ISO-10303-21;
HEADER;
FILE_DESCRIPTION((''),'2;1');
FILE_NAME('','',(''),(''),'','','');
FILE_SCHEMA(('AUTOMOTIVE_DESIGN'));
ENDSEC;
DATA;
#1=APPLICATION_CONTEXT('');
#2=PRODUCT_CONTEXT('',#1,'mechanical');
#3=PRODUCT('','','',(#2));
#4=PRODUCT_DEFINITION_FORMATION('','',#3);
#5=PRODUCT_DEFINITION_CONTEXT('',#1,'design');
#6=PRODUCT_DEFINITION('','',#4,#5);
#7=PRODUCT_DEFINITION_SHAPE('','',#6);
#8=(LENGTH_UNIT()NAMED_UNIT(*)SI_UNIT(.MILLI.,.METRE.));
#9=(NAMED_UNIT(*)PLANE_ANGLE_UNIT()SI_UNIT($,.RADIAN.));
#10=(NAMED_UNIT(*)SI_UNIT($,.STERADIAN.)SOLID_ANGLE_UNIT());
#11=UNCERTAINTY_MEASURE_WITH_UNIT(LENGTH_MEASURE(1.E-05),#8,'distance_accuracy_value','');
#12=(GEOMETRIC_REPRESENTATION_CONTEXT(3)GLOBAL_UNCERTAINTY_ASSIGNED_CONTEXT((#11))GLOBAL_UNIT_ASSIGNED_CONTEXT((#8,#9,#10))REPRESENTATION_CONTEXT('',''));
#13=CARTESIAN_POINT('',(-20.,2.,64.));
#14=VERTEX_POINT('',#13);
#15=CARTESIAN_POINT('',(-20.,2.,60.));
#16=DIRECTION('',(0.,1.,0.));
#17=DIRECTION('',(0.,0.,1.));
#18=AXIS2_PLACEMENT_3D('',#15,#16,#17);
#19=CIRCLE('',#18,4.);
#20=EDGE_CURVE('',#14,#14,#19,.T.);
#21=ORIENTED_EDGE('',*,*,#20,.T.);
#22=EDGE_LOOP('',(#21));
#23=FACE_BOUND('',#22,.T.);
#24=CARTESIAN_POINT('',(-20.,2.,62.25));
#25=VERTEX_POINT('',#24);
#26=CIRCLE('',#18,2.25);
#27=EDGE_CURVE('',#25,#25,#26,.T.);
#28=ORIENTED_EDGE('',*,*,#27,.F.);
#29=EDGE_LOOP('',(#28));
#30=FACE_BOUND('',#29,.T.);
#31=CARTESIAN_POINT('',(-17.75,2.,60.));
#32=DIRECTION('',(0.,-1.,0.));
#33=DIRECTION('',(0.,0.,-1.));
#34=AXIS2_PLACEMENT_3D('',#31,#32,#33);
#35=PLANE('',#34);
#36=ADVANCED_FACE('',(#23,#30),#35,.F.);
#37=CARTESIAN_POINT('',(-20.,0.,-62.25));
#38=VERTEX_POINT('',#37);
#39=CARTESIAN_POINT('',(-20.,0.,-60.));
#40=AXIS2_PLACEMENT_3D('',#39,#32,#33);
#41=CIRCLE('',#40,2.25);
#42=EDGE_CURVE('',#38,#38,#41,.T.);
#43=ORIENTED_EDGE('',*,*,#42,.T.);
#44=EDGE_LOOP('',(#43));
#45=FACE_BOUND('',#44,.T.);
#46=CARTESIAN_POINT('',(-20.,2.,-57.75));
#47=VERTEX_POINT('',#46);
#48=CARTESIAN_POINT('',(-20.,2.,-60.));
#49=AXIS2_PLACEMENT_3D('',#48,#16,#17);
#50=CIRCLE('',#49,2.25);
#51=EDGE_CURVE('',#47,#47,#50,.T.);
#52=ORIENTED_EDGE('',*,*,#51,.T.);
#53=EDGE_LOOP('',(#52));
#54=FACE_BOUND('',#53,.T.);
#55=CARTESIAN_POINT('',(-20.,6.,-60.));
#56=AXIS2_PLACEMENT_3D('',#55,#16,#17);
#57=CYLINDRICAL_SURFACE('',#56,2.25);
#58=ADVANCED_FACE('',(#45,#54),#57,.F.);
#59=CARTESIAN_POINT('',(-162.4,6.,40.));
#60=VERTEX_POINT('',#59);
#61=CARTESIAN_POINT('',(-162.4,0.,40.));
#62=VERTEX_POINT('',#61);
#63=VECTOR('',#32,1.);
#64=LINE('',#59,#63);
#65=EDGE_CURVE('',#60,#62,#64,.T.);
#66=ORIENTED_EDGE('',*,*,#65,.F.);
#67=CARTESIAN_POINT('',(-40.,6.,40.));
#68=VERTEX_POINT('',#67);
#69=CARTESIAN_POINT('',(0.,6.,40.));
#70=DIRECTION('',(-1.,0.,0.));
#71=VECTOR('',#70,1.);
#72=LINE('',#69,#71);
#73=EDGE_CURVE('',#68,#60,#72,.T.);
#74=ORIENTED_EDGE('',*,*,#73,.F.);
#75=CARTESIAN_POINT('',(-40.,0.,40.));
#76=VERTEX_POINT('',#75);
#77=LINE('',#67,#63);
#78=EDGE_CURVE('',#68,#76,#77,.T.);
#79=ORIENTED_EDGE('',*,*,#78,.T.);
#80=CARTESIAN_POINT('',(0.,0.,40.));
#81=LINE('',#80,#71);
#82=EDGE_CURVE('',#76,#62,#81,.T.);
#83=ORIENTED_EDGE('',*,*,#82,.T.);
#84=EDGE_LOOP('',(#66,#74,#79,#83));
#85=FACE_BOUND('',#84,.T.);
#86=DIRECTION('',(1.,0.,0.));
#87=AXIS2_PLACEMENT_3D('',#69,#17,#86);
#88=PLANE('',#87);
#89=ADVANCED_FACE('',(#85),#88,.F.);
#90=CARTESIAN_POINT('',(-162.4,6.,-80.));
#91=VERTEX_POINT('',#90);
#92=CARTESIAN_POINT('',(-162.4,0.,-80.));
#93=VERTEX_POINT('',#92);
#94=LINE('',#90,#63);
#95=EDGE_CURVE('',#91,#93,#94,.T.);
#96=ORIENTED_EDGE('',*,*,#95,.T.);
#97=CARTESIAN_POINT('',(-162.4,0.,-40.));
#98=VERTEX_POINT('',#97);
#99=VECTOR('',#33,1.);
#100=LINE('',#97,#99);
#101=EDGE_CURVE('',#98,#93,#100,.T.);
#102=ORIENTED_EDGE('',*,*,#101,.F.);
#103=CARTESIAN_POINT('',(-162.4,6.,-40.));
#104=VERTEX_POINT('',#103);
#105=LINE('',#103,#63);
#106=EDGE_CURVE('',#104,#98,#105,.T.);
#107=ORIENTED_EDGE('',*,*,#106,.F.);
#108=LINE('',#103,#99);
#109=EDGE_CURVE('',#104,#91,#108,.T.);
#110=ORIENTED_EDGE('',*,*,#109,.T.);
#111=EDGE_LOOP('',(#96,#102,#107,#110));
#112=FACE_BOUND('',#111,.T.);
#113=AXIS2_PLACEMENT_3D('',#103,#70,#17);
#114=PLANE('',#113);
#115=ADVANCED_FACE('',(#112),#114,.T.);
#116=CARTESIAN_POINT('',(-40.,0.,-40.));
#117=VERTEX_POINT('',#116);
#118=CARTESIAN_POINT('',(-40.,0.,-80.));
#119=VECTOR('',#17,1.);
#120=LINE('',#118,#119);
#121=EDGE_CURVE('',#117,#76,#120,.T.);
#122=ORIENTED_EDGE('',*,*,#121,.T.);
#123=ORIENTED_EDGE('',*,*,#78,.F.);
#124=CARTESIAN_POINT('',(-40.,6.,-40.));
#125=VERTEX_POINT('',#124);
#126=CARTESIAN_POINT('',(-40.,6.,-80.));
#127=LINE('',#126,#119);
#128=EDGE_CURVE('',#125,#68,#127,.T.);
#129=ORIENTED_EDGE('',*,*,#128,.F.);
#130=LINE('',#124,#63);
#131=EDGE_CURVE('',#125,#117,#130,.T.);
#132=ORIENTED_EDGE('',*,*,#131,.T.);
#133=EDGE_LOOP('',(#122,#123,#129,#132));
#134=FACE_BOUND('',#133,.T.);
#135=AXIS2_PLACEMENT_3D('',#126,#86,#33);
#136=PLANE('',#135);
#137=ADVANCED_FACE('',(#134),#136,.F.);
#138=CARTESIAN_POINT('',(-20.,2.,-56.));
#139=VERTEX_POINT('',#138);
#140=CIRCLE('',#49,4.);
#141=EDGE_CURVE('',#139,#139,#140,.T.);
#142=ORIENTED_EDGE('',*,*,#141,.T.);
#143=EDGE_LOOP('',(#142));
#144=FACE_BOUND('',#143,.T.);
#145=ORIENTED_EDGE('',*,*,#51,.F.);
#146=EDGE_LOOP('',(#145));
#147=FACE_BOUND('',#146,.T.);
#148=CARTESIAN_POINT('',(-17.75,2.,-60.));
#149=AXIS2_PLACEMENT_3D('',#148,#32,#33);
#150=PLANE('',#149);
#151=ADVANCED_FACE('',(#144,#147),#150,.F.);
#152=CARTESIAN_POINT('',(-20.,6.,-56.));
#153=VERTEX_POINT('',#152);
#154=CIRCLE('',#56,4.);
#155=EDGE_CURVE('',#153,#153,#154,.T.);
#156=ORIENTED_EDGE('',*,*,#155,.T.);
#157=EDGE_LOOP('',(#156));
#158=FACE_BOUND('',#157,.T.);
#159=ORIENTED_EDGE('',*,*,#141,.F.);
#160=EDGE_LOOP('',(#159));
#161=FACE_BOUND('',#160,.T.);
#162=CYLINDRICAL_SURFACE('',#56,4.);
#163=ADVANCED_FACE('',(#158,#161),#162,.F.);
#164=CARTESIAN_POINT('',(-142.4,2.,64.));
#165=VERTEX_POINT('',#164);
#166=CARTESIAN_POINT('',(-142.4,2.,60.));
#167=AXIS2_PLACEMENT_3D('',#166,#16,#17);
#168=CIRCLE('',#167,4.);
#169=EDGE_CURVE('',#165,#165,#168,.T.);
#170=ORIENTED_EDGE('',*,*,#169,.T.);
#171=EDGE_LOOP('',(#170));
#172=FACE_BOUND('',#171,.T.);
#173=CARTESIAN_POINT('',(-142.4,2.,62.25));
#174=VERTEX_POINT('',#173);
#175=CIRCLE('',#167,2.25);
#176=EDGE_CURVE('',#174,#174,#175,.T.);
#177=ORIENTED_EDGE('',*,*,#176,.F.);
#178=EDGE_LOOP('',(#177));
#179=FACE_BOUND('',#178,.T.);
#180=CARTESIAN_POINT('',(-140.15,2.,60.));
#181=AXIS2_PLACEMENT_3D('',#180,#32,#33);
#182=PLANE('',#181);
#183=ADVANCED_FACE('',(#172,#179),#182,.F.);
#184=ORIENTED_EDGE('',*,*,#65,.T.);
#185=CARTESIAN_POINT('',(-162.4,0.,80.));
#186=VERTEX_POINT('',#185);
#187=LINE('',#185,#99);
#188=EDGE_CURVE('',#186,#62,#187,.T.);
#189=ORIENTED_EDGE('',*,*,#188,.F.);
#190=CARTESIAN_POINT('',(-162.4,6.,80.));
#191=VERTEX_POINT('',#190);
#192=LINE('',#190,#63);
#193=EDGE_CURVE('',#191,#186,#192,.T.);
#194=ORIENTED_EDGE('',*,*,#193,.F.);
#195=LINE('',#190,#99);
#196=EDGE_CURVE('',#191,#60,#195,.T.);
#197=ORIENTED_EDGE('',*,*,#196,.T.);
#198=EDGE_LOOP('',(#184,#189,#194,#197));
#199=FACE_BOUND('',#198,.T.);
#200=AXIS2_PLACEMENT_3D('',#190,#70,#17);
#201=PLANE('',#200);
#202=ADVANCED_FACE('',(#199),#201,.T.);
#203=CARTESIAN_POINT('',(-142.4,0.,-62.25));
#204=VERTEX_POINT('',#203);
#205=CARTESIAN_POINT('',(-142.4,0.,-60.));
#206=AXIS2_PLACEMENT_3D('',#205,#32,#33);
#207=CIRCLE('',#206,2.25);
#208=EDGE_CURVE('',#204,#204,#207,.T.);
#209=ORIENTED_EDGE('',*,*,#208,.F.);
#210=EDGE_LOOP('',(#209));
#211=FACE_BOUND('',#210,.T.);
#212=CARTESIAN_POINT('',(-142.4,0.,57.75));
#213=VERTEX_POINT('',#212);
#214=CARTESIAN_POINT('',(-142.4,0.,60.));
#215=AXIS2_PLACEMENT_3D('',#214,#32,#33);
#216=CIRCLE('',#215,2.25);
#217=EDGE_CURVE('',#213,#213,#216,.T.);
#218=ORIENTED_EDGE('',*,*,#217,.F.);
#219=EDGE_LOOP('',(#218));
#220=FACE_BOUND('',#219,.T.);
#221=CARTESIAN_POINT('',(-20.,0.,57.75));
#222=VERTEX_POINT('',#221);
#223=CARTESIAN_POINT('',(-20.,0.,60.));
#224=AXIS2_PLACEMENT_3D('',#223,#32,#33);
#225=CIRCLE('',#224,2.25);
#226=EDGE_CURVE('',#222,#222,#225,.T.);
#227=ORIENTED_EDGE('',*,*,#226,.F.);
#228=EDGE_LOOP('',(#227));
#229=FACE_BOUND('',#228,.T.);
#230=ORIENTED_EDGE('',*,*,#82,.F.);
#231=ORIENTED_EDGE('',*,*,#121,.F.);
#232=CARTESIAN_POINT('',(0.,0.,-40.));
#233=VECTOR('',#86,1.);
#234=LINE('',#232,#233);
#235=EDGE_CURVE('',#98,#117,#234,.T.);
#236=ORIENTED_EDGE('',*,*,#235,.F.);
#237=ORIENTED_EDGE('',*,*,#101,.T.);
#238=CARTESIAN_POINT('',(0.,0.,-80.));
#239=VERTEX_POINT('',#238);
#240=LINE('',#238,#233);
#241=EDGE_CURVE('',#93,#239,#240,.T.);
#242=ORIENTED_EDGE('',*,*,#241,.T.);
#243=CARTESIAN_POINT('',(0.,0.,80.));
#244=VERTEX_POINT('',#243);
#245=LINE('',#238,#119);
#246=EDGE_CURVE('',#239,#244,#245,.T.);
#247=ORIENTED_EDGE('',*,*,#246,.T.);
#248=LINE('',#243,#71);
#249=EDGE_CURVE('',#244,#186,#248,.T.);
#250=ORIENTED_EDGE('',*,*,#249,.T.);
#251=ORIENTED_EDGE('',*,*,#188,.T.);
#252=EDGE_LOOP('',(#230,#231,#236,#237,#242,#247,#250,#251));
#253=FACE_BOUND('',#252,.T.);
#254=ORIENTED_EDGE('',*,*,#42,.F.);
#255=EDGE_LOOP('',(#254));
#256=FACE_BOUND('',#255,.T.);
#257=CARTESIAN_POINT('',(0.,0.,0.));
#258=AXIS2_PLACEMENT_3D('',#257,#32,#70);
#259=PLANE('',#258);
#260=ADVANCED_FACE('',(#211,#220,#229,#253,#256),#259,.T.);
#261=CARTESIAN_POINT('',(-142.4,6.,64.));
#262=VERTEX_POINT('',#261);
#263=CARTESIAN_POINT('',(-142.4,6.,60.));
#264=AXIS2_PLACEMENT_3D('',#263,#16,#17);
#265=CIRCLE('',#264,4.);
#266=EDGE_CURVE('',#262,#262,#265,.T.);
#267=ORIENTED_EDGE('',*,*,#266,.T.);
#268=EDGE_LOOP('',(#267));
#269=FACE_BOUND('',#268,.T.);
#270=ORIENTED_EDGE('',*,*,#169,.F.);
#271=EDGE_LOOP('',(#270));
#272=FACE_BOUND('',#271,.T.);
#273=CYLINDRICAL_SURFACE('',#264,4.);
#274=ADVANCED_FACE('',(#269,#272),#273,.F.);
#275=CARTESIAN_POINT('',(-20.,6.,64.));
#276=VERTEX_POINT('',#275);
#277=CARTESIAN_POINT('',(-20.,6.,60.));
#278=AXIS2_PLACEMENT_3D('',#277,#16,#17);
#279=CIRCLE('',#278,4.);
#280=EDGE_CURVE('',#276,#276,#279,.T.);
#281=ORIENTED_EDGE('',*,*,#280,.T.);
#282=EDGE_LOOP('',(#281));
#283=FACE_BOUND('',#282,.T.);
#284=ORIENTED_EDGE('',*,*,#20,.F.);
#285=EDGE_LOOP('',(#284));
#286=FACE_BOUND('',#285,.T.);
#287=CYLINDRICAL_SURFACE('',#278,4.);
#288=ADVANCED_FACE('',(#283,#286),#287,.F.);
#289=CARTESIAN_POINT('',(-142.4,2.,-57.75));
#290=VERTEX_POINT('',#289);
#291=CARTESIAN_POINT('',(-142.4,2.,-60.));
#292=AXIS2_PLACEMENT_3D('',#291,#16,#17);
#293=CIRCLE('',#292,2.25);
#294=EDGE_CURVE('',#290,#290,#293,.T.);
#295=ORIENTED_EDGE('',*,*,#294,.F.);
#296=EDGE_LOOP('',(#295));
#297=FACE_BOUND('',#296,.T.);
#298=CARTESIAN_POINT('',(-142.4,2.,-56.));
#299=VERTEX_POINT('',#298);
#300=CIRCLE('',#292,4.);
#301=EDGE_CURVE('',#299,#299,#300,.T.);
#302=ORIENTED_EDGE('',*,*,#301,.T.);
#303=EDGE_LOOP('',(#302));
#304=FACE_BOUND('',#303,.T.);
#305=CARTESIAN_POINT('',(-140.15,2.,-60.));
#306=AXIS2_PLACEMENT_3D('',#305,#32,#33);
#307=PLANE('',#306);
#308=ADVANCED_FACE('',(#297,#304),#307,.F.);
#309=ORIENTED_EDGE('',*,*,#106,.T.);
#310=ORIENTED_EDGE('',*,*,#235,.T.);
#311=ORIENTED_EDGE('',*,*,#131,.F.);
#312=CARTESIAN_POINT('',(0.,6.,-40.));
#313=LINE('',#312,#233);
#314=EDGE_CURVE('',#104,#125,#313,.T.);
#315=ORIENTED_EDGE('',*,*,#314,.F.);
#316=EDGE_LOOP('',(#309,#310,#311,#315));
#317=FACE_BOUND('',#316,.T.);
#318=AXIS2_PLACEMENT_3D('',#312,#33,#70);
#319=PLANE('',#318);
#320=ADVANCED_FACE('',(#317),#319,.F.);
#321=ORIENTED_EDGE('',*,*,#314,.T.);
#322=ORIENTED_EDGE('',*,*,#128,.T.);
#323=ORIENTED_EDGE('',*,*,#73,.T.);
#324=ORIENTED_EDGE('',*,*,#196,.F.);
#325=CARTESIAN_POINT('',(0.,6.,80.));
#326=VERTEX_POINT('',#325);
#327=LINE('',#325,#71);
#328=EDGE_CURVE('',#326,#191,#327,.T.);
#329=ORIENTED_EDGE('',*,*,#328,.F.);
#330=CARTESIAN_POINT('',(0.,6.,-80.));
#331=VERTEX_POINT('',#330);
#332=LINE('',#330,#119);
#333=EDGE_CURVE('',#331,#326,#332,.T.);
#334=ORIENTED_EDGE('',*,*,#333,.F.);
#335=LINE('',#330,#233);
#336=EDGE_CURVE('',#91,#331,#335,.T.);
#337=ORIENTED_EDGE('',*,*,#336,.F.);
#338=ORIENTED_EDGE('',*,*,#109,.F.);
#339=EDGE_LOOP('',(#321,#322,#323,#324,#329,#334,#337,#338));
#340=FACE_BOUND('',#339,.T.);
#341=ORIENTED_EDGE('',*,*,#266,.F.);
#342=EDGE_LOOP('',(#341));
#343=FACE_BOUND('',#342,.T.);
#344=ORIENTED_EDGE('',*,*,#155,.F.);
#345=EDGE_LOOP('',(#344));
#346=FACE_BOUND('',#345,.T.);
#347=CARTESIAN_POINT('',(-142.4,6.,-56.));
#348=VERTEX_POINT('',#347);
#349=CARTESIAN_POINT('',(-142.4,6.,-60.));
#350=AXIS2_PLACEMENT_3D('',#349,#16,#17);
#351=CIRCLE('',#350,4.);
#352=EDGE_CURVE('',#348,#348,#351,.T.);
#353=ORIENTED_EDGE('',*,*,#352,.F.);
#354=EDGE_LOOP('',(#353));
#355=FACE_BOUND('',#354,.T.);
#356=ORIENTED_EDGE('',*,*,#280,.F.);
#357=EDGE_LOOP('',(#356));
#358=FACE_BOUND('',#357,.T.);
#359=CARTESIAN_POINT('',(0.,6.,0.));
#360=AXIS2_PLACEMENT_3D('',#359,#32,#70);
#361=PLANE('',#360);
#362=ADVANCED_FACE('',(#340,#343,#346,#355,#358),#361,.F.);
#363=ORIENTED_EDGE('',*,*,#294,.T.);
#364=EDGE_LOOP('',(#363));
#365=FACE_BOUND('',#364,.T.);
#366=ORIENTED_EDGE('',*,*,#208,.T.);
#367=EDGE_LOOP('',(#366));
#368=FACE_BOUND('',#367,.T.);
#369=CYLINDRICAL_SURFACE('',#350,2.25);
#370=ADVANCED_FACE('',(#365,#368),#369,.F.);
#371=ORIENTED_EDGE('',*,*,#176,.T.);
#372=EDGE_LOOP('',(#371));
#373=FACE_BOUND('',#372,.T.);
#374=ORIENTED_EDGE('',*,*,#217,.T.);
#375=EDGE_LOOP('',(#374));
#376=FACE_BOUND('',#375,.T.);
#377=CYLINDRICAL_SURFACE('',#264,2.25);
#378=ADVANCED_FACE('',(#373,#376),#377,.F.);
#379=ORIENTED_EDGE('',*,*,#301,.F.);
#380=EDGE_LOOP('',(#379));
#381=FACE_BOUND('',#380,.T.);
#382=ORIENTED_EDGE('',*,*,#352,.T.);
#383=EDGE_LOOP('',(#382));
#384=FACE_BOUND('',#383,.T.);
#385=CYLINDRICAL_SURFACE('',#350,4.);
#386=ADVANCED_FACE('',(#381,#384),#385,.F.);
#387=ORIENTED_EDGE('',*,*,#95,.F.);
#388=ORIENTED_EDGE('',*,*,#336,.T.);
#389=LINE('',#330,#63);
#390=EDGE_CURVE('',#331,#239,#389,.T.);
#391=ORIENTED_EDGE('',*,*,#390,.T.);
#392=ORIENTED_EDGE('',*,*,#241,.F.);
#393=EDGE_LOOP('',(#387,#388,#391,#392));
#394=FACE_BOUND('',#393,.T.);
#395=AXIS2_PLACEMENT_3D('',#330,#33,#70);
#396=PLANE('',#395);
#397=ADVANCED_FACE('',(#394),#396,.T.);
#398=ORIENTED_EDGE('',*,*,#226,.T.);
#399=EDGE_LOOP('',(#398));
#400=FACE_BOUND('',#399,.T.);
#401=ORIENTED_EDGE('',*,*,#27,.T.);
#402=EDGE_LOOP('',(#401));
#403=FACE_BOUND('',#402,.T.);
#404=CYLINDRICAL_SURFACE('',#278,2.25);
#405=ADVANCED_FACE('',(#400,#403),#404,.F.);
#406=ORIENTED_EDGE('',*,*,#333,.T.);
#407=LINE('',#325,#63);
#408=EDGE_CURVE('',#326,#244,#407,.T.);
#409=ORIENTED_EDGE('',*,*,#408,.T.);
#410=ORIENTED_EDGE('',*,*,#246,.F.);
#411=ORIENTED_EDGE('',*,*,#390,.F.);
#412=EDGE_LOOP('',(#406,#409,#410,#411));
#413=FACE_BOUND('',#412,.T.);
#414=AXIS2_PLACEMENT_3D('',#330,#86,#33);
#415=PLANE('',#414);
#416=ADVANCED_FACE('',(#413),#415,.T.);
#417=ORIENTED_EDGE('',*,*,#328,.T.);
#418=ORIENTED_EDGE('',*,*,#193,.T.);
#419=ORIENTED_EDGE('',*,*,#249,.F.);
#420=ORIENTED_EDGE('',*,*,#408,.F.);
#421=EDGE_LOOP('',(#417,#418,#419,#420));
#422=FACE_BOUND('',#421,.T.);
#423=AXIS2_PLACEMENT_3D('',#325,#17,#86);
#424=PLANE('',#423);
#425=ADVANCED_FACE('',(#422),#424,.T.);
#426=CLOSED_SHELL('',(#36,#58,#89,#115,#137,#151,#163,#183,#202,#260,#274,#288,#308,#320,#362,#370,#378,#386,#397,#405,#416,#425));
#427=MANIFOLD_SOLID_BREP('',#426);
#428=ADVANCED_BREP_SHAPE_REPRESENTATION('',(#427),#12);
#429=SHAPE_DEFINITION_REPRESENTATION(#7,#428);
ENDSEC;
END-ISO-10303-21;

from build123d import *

# Parameters (mm, degrees)
EXTRUDE_THIN1_DEPTH            = 6
CBORE_FOR_M4_SHCS1_D           = 4.5
CBORE_FOR_M4_SHCS1_CBORE_D     = 8
CBORE_FOR_M4_SHCS1_CBORE_DEPTH = 4


with BuildPart() as part:
    # Sketch1 → Extrude-Thin1 (new body)
    with BuildSketch(Plane(origin=(0, 0, 0), x_dir=(1, 0, 0), z_dir=(0, 1, 0))):
        Polygon((-162.4, 80), (0, 80), (0, -80), (-162.4, -80), (-162.4, -40), (-40, -40), (-40, 40), (-162.4, 40), align=None)
    extrude(amount=EXTRUDE_THIN1_DEPTH)

    # CBORE for M4 SHCS1 (through all)
    with Locations(Plane(origin=(0, 6, 0), x_dir=(1, 0, 0), z_dir=(0, 1, 0))):
        with Locations((-20, -60), (-142.4, 60), (-142.4, -60), (-20, 60)):
            CounterBoreHole(CBORE_FOR_M4_SHCS1_D / 2, CBORE_FOR_M4_SHCS1_CBORE_D / 2, CBORE_FOR_M4_SHCS1_CBORE_DEPTH)


solid = part.part
